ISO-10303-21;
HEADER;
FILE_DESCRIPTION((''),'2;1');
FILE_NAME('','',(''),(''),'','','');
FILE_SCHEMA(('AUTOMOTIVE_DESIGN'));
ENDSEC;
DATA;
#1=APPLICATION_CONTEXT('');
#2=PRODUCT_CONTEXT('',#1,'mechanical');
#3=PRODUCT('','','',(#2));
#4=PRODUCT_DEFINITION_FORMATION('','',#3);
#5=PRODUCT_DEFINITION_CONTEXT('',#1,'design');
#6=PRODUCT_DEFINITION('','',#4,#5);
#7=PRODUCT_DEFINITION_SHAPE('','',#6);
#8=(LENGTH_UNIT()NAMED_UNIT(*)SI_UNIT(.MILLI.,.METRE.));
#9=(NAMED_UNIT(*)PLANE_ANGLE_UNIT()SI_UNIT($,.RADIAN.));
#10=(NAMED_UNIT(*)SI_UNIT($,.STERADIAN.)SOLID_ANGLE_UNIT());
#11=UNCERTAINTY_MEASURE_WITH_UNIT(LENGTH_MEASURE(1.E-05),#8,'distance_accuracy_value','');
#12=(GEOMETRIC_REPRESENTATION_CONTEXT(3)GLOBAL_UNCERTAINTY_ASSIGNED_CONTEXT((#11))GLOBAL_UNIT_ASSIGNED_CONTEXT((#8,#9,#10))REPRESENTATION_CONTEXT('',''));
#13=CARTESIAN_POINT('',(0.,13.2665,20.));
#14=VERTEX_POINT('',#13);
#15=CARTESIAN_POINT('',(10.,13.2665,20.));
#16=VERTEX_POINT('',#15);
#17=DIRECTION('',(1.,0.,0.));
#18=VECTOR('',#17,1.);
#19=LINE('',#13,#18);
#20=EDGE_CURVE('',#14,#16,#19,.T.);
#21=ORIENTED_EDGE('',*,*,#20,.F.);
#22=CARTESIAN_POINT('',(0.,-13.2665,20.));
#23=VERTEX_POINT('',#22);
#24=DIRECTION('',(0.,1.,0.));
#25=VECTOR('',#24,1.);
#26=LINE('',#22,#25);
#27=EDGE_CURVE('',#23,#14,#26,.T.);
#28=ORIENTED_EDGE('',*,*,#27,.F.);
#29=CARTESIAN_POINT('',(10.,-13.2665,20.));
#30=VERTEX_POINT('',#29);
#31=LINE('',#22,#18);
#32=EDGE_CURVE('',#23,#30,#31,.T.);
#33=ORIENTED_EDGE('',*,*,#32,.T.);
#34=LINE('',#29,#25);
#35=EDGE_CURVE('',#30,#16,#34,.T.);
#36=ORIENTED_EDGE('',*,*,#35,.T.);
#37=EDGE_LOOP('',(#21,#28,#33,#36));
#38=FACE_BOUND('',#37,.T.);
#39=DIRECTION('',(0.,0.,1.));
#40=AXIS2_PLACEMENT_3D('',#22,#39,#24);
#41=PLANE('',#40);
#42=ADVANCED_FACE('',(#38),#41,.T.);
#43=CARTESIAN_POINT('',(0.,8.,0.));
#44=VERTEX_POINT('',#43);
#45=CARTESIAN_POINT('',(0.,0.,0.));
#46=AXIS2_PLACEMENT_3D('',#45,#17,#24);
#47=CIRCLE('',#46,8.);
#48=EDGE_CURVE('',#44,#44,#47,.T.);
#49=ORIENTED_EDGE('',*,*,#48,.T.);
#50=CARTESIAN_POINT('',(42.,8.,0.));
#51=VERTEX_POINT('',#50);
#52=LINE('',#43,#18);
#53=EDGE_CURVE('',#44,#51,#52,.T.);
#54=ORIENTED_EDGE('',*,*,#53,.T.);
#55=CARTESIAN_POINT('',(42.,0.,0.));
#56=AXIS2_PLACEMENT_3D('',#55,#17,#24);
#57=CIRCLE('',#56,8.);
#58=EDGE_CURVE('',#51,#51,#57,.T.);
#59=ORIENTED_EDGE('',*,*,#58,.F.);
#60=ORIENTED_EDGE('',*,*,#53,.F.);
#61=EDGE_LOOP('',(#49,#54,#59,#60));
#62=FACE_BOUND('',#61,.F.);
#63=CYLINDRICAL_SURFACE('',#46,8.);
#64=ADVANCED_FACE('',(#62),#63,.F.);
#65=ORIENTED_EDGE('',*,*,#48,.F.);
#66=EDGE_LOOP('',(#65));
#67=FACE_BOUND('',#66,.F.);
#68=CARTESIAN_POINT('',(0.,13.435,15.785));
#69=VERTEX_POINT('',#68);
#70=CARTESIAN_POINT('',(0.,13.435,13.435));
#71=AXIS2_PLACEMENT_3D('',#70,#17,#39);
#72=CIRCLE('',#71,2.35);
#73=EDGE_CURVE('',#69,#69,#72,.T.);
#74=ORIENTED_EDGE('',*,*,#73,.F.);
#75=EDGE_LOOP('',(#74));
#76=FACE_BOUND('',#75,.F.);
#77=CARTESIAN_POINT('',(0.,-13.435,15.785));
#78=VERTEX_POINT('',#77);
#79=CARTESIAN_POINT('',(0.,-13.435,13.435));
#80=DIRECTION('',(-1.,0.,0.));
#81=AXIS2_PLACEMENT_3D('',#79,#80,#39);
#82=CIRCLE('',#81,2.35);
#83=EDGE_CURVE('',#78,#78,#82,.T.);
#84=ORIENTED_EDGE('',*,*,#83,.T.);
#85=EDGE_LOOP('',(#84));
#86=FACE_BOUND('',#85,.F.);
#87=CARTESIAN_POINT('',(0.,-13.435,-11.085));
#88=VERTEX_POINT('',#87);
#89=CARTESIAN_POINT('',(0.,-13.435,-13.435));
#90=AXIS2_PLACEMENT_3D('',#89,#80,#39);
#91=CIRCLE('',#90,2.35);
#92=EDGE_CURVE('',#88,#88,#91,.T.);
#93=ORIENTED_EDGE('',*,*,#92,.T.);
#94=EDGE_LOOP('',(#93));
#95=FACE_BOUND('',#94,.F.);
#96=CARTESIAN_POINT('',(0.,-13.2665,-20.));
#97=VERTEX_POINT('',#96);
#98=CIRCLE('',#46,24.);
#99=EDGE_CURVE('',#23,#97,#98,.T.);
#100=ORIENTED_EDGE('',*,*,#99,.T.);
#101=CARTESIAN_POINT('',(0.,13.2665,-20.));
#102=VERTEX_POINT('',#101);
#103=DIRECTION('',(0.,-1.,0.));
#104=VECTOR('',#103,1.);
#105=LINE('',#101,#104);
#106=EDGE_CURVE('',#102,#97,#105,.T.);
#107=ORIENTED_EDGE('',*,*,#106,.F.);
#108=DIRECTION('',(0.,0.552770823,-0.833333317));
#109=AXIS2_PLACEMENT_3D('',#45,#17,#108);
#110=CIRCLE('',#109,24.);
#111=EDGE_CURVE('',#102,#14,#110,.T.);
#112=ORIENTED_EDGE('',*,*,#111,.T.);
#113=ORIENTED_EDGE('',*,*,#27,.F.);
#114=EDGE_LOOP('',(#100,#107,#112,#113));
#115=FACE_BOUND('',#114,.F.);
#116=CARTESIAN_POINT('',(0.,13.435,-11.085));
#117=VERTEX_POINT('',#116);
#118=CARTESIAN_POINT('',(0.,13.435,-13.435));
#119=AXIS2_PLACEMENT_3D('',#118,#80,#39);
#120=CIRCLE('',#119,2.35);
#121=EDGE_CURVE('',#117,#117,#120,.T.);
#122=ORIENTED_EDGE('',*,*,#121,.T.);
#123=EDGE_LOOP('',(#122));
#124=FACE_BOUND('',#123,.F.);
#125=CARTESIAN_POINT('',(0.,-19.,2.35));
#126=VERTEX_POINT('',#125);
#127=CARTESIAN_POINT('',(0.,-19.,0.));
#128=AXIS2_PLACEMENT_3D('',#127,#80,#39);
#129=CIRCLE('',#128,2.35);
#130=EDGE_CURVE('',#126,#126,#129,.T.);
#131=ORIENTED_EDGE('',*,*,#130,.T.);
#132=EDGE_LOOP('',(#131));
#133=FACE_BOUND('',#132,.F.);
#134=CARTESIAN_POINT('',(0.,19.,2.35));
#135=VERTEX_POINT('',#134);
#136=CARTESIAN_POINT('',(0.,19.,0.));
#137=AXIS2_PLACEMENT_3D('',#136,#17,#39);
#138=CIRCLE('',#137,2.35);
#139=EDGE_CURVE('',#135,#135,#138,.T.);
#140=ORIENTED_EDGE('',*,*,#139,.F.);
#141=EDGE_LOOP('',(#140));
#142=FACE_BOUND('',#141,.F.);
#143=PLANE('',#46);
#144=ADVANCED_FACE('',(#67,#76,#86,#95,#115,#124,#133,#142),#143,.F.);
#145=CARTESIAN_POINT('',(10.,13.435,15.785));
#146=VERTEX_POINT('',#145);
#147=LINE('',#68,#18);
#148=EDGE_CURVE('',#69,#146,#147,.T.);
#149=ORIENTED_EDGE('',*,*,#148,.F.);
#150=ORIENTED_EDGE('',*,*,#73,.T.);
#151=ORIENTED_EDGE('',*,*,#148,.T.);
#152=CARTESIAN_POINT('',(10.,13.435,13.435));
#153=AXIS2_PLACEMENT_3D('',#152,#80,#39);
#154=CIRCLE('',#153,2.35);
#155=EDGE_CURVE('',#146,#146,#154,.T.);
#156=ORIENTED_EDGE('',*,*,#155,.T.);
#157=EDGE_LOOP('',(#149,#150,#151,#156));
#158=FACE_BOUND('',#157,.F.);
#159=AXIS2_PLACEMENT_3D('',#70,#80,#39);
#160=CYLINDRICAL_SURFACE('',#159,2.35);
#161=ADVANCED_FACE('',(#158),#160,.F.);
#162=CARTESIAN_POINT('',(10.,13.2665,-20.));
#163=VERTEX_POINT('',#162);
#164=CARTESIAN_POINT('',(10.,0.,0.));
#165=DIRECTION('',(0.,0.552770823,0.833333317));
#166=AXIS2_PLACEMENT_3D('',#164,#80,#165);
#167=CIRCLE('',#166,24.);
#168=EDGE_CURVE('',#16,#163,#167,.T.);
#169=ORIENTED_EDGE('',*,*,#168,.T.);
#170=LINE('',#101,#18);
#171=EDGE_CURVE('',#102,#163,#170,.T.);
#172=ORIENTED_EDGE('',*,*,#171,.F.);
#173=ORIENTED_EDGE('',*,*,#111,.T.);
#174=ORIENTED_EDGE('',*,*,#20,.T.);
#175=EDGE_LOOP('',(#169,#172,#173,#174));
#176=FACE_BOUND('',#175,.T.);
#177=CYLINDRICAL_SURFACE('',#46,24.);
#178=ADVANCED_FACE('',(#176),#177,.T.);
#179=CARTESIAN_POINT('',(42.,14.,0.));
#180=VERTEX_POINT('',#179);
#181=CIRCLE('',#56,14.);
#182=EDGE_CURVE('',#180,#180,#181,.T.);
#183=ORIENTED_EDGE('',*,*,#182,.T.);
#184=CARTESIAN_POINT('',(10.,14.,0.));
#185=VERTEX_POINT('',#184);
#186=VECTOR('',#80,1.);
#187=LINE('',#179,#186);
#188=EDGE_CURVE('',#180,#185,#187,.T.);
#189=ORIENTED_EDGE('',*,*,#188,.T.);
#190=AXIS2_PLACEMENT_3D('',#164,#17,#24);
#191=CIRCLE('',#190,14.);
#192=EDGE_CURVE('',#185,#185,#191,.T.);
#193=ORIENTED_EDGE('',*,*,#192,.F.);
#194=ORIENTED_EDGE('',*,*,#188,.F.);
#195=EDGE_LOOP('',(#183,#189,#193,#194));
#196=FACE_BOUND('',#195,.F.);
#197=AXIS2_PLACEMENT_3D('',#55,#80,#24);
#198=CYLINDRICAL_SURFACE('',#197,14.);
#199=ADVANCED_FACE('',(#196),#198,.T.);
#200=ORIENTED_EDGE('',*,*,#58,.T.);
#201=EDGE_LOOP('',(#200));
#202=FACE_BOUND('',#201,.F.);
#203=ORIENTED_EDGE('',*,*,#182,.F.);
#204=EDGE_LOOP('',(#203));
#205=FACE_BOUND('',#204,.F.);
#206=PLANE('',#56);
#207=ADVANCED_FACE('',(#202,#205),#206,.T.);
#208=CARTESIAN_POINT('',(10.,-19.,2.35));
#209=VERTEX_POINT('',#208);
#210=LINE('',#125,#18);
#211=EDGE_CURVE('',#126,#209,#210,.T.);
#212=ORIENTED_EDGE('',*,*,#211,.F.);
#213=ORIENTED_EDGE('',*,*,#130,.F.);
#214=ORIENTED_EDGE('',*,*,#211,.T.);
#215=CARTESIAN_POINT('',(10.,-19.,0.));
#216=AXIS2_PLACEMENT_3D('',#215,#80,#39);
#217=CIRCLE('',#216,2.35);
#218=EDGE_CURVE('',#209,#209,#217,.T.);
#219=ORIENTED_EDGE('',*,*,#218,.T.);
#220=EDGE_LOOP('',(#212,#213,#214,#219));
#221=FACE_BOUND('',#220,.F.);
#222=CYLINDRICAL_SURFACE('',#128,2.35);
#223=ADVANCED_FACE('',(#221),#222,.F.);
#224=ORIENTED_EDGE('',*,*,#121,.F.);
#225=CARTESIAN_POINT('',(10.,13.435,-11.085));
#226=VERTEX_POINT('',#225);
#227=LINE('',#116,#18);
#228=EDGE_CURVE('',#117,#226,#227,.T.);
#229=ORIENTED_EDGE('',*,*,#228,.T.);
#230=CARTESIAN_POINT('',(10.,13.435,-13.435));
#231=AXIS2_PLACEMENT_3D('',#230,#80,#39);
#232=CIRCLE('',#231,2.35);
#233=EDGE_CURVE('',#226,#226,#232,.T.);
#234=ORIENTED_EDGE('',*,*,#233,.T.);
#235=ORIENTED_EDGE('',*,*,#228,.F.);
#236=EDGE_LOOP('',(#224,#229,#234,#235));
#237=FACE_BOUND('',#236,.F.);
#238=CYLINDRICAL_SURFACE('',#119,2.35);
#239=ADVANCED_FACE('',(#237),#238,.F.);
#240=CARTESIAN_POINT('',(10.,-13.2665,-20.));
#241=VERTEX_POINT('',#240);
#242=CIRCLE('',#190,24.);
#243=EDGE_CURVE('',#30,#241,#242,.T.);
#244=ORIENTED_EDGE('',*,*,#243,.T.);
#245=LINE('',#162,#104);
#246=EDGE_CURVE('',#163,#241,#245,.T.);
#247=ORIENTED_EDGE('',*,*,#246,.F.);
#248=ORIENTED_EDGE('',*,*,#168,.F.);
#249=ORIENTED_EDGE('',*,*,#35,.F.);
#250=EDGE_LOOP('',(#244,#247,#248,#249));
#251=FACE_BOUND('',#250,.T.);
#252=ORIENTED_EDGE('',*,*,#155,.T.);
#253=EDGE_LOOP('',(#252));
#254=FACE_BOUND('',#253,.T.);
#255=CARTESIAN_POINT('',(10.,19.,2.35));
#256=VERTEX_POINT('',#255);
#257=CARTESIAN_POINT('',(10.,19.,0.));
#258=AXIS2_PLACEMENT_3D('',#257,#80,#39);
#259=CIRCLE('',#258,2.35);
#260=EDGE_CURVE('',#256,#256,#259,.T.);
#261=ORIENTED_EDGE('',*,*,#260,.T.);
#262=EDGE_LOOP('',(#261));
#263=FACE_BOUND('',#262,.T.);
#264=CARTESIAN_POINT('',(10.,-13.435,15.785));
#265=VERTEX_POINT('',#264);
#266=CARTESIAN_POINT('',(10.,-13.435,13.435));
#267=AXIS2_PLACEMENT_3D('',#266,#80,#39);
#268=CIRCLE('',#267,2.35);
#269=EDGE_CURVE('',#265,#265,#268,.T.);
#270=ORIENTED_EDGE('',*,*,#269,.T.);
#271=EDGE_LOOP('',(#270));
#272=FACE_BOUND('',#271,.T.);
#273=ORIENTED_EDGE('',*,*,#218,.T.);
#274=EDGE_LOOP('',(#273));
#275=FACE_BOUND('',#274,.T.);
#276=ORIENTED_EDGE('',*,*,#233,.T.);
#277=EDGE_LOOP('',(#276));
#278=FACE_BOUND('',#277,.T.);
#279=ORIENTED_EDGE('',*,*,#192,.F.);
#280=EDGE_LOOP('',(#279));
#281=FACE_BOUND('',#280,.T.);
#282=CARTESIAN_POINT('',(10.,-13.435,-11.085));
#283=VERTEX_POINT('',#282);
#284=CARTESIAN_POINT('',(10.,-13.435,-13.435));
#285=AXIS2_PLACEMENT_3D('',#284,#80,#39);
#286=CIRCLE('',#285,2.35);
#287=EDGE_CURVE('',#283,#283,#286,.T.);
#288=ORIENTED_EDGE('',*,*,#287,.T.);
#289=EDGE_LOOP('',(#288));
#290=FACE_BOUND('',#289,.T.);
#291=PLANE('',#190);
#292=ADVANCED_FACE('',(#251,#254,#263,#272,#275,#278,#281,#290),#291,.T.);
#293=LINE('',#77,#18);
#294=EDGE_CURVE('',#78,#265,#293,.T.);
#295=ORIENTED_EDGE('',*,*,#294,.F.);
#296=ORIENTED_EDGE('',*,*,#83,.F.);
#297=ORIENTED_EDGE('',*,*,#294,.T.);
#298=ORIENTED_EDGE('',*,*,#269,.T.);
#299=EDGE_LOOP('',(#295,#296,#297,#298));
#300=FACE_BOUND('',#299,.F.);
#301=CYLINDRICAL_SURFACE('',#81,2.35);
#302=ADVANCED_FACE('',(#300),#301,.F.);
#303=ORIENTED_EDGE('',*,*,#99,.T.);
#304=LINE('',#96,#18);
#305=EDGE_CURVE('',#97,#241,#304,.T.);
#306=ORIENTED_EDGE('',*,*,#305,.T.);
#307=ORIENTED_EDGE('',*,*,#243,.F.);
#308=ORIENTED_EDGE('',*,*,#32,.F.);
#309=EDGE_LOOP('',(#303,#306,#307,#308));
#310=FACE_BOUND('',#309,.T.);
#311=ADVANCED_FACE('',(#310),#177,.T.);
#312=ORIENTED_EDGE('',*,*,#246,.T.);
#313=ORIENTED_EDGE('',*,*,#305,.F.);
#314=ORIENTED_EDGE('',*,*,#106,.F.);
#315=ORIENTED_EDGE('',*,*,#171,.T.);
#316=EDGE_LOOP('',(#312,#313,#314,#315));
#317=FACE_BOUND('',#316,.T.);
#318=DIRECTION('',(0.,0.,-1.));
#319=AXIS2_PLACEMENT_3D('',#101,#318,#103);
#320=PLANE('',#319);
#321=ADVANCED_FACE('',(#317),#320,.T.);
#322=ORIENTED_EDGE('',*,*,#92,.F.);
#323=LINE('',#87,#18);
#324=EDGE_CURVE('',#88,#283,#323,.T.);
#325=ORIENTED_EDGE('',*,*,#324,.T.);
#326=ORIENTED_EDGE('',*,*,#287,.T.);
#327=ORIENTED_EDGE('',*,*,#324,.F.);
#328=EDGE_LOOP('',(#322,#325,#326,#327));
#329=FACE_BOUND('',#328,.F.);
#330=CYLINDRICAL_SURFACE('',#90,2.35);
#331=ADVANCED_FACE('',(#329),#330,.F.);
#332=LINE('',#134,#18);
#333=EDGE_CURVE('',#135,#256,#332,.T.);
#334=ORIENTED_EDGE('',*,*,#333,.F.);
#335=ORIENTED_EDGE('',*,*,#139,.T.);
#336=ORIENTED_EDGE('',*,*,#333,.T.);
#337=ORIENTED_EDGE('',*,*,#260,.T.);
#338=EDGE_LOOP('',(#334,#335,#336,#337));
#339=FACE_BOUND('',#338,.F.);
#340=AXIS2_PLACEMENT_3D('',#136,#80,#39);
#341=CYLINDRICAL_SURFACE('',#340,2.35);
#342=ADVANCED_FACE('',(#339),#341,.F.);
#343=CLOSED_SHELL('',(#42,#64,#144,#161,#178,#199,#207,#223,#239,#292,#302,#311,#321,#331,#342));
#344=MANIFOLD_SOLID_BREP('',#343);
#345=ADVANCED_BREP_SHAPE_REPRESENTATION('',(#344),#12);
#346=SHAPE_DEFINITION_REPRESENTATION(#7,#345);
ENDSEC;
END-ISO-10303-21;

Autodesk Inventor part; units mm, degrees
ref_plane "YZ Plane" through (0, 0, 0) normal (1, 0, 0) x (0, 1, 0)
ref_plane "XZ Plane" through (0, 0, 0) normal (0, 1, 0) x (-1, 0, 0)
ref_plane "XY Plane" through (0, 0, 0) normal (0, 0, 1) x (1, 0, 0)
sketch "Sketch1" plane through (0, 0, 0) normal (0, 0, 1) x (1, 0, 0)
  line L0 (0, 24) -> (10, 24)
  line L1 (10, 24) -> (10, 14)
  line L2 (0, 24) -> (0, 8)
  line L3 (0, 8) -> (42, 8)
  line L4 (42, 8) -> (42, 14)
  line L5 (42, 14) -> (10, 14)
  line L6 (-8.4, 0) -> (50.4, 0) projected
  point P0 (0, 0)
  point P1 (0, 16)
  dimension "d0" = 8
  dimension "d1" = 14
  dimension "d2" = 24
  dimension "d3" = 10
  dimension "d4" = 42
revolve "Revolution1" add sketch "Sketch1" angle 360 about axis through (-10, 0, 0) along (1, 0, 0)
sketch "Sketch2" plane through (0, 0, 0) normal (-1, 0, 0) x (0, 0, 1)
  circle A0 centre (0, 0) radius 19 construction
  line L0 (-20, 13.2665) -> (-20, -13.2665)
  circle A1 centre (0, 0) radius 24 projected
  line L1 (20, -13.2665) -> (20, 13.2665)
  circle A2 centre (0, 0) radius 24 projected
  circle A3 centre (-13.435, 13.435) radius 2.35
  circle A4 centre (0, 19) radius 2.35
  circle A5 centre (13.435, 13.435) radius 2.35
  circle A6 centre (-13.435, -13.435) radius 2.35
  circle A7 centre (13.435, -13.435) radius 2.35
  circle A8 centre (0, -19) radius 2.35
  line L2 (0, 0) -> (13.435, 13.435)
  line L3 (0, 0) -> (0, 19)
  dimension "d6" = 38
  dimension "d7" = 40
  dimension "d8" = 4.7
  dimension "d9" = 45
extrude "Extrusion1" cut sketch "Sketch2" against normal blind 10 contours L0 A1 | A1 L1 | A3 | A4 | A5 | A6 | A7 | A8
properties part number "SFU1605_Nut"
